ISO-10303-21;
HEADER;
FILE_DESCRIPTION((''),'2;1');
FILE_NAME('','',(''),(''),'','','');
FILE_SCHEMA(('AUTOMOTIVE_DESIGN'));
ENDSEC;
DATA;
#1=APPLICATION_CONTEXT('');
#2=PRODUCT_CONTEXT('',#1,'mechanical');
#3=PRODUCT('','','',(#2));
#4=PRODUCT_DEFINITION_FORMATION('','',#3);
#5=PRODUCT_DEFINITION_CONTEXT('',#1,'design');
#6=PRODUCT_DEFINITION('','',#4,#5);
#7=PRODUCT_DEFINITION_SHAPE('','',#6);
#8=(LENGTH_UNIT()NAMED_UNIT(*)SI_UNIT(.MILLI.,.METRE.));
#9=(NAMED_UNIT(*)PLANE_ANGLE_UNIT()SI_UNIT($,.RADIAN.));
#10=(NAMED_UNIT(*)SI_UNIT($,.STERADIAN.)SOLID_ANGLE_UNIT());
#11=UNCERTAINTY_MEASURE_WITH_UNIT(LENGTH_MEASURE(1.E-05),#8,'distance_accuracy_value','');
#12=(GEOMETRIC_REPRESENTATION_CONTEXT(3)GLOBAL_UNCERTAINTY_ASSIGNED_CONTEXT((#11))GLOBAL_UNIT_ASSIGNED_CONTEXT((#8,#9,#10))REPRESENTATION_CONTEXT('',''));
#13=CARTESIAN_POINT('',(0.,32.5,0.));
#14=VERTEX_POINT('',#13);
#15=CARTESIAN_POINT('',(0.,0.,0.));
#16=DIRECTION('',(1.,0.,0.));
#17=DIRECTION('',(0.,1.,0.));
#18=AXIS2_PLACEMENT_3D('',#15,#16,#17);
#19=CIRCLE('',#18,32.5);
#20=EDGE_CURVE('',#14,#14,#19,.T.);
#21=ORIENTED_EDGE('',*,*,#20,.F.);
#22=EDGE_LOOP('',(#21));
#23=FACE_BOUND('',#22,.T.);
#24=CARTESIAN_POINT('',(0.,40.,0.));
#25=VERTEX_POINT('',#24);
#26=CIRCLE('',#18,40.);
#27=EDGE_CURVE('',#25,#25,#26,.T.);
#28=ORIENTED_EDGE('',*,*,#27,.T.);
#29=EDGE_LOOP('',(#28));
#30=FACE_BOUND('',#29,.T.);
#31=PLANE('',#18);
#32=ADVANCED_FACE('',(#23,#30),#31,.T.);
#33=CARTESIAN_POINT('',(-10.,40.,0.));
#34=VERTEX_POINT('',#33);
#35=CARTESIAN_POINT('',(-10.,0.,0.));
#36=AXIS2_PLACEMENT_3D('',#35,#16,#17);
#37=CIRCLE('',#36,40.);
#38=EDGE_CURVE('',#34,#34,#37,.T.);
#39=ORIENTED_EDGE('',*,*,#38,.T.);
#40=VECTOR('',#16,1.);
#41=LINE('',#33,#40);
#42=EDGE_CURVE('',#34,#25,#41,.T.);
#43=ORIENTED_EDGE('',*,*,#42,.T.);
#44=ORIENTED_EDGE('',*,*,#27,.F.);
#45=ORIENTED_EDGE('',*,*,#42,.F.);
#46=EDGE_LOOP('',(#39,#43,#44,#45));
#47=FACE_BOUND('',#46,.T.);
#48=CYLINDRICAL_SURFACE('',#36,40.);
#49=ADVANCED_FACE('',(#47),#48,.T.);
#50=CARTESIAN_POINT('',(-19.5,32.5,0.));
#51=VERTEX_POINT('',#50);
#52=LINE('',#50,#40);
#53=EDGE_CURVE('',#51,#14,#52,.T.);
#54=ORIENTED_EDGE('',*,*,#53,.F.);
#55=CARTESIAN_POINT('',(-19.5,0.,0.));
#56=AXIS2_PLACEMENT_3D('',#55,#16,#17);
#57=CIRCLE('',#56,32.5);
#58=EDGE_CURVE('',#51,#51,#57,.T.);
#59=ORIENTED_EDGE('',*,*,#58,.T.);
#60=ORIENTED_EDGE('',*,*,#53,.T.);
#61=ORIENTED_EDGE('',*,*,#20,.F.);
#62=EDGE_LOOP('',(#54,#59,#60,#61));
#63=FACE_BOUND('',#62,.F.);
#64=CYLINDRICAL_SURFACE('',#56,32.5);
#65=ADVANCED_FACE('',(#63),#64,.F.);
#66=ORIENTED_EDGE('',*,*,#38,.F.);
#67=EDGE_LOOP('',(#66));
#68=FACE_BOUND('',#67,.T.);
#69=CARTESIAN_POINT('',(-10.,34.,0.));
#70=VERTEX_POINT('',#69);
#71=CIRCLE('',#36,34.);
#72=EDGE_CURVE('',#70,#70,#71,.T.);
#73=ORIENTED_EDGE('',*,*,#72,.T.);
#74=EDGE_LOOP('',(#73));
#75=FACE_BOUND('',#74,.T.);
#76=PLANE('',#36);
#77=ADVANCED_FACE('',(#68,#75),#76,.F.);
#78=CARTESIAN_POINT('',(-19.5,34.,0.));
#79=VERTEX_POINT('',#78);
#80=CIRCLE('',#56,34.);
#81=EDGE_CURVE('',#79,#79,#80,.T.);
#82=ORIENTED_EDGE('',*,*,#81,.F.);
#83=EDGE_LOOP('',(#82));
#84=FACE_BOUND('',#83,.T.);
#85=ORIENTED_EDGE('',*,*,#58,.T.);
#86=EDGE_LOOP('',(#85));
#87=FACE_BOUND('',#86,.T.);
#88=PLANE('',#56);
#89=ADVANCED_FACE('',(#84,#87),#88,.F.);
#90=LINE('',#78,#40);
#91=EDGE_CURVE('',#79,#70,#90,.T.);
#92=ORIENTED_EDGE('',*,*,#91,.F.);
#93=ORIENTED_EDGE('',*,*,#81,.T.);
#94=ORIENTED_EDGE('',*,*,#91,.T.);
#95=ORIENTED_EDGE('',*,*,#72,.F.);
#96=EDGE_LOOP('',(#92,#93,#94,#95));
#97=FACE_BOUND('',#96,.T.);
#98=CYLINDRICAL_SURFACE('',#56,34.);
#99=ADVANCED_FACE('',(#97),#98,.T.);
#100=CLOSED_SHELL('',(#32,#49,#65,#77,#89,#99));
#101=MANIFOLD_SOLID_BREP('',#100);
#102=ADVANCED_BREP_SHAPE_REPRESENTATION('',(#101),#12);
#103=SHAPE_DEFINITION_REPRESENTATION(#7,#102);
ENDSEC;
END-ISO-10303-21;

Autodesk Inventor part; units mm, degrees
ref_plane "YZ Plane" through (0, 0, 0) normal (1, 0, 0) x (0, 1, 0)
ref_plane "XZ Plane" through (0, 0, 0) normal (0, 1, 0) x (-1, 0, 0)
ref_plane "XY Plane" through (0, 0, 0) normal (0, 0, 1) x (1, 0, 0)
sketch "草图1" plane through (0, 0, 0) normal (0, 0, 1) x (1, 0, 0)
  line L0 (-23.4, 0) -> (3.9, 0) construction
  line L1 (0, -56) -> (0, 56) construction
  line L2 (-19.5, 34) -> (-10, 34)
  line L3 (-10, -34) -> (-19.5, -34)
  line L4 (-19.5, -34) -> (-19.5, 34)
  line L5 (-10, 40) -> (0, 40)
  line L6 (0, 40) -> (0, -40)
  line L7 (0, -40) -> (-10, -40)
  line L8 (-10, -40) -> (-10, -34)
  line L9 (-10, 34) -> (-10, 40)
  line L10 (-19.5, 32.5) -> (0, 32.5)
  line L11 (0, 32.5) -> (0, -32.5)
  line L12 (0, -32.5) -> (-19.5, -32.5)
  line L13 (-19.5, -32.5) -> (-19.5, 32.5)
  point P0 (0, 0)
  point P1 (0, 32.5)
  dimension "d0" = 68
  dimension "d1" = 65
  dimension "d2" = 19.5
  dimension "d3" = 10
  dimension "d4" = 80
revolve "旋转1" add sketch "草图1" angle 360 about axis through (-10, 0, 0) along (1, 0, 0) contours L2 L9 L5 L6 L10 L4
properties part number "轴套2"
